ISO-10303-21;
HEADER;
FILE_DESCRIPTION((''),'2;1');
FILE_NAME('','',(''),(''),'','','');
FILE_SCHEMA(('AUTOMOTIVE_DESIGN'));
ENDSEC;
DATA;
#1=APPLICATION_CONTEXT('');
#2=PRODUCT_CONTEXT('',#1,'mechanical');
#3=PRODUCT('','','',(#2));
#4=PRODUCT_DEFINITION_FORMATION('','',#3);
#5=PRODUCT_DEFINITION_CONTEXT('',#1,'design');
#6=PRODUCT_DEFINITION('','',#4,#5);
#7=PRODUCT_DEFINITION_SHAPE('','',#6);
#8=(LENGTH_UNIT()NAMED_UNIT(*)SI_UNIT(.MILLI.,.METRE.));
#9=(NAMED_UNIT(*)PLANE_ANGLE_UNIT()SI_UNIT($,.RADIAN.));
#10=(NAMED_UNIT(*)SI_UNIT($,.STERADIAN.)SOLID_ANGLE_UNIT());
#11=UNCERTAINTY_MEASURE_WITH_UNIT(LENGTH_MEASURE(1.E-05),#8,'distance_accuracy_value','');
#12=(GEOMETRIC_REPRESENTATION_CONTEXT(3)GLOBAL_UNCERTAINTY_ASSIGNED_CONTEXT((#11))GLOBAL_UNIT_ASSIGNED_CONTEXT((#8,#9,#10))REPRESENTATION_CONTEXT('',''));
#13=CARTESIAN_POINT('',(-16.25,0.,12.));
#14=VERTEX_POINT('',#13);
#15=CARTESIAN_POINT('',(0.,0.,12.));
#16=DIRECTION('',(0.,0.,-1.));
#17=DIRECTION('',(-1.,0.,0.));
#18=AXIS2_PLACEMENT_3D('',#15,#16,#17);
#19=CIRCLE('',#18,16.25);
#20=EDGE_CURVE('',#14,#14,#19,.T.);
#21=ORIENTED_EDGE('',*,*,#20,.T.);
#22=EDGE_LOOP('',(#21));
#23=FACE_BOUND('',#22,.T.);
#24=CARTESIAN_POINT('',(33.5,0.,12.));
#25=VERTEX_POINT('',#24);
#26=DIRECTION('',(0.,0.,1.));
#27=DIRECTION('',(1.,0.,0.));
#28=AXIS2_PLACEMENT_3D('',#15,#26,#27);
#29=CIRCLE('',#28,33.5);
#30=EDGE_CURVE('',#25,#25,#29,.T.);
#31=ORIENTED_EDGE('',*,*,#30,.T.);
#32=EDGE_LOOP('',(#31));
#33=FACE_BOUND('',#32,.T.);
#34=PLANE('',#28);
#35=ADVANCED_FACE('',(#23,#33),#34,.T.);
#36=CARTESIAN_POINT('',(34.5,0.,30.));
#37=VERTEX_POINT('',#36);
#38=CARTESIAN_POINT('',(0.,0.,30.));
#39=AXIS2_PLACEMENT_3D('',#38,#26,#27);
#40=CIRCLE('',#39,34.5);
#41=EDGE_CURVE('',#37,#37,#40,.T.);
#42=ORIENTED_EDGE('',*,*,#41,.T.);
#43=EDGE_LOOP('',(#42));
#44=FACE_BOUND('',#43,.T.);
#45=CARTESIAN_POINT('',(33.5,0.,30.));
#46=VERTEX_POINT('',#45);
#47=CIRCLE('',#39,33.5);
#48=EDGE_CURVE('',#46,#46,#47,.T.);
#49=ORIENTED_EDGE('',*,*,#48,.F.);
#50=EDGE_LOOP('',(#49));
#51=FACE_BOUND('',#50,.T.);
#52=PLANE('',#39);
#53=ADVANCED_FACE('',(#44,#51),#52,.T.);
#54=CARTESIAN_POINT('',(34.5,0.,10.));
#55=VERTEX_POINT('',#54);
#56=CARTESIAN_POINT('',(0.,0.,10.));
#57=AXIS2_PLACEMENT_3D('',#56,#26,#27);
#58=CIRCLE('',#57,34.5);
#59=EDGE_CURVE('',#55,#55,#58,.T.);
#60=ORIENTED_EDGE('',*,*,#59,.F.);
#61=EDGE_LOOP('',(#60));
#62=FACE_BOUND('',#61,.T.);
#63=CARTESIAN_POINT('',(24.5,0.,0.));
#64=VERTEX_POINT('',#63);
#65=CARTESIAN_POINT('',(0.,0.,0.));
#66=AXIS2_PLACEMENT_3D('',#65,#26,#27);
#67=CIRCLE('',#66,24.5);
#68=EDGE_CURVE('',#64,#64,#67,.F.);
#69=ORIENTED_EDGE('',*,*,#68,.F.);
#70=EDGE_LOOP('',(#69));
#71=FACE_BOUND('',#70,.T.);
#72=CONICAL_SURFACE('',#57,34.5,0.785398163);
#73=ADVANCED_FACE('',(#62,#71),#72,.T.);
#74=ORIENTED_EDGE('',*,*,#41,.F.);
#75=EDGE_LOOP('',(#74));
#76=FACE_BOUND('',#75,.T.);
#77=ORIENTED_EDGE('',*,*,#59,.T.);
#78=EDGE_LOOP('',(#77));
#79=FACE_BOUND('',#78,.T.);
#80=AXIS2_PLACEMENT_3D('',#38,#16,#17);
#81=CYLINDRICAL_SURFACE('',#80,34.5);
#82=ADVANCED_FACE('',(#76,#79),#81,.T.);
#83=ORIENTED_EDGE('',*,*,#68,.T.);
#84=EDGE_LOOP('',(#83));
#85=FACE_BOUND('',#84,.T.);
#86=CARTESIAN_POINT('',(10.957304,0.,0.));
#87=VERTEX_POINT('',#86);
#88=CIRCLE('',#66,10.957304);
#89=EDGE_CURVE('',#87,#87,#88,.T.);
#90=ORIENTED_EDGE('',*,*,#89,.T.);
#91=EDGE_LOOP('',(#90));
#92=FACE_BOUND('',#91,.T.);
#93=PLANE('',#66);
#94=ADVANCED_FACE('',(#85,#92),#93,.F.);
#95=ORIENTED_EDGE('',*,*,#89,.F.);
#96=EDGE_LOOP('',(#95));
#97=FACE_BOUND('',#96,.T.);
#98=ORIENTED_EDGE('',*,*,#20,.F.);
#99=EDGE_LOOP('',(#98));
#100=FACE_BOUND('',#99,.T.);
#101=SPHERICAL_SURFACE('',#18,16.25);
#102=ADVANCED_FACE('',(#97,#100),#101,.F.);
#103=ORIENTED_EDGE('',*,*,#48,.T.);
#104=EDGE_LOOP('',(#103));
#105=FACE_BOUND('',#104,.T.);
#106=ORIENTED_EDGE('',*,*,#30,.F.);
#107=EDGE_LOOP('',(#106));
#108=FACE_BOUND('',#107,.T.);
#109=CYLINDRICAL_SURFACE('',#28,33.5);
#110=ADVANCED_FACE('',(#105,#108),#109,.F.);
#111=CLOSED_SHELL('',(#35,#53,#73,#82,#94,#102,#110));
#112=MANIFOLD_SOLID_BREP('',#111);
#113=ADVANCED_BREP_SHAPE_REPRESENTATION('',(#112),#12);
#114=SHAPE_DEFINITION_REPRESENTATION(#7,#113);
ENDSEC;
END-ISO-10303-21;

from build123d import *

# Parameters (mm, degrees)
SKETCH1_R           = 34.5
BOSS_EXTRUDE1_DEPTH = 30
SKETCH5_R           = 33.5
CUT_EXTRUDE2_DEPTH  = 18
CUT_REVOLVE3_ANGLE  = 180
CHAMFER1_SIZE       = 10


with BuildPart() as part:
    # Sketch1 → Boss-Extrude1 (new body)
    with BuildSketch(Plane.XY):
        Circle(SKETCH1_R)
    extrude(amount=BOSS_EXTRUDE1_DEPTH)

    # Sketch5 → Cut-Extrude2 (cut)
    with BuildSketch(Plane.XY.offset(30)):
        Circle(SKETCH5_R)
    extrude(amount=-CUT_EXTRUDE2_DEPTH, mode=Mode.SUBTRACT)

    # Sketch7 → Cut-Revolve3 (revolve, cut)
    with BuildSketch(Plane.XY.offset(12)):
        with BuildLine():
            Line((-16.25, 0), (16.25, 0))
            ThreePointArc((16.25, 0), (0, 16.25), (-16.25, 0))
        make_face()
    revolve(axis=Axis((-16.25, 0, 12), (-1, 0, 0)), revolution_arc=CUT_REVOLVE3_ANGLE, mode=Mode.SUBTRACT)

    # Chamfer1
    chamfer1_edges = [part.edges().sort_by_distance(p)[0] for p in [
        (-34.5, 0, 0),
    ]]
    chamfer(chamfer1_edges, length=CHAMFER1_SIZE)


solid = part.part
